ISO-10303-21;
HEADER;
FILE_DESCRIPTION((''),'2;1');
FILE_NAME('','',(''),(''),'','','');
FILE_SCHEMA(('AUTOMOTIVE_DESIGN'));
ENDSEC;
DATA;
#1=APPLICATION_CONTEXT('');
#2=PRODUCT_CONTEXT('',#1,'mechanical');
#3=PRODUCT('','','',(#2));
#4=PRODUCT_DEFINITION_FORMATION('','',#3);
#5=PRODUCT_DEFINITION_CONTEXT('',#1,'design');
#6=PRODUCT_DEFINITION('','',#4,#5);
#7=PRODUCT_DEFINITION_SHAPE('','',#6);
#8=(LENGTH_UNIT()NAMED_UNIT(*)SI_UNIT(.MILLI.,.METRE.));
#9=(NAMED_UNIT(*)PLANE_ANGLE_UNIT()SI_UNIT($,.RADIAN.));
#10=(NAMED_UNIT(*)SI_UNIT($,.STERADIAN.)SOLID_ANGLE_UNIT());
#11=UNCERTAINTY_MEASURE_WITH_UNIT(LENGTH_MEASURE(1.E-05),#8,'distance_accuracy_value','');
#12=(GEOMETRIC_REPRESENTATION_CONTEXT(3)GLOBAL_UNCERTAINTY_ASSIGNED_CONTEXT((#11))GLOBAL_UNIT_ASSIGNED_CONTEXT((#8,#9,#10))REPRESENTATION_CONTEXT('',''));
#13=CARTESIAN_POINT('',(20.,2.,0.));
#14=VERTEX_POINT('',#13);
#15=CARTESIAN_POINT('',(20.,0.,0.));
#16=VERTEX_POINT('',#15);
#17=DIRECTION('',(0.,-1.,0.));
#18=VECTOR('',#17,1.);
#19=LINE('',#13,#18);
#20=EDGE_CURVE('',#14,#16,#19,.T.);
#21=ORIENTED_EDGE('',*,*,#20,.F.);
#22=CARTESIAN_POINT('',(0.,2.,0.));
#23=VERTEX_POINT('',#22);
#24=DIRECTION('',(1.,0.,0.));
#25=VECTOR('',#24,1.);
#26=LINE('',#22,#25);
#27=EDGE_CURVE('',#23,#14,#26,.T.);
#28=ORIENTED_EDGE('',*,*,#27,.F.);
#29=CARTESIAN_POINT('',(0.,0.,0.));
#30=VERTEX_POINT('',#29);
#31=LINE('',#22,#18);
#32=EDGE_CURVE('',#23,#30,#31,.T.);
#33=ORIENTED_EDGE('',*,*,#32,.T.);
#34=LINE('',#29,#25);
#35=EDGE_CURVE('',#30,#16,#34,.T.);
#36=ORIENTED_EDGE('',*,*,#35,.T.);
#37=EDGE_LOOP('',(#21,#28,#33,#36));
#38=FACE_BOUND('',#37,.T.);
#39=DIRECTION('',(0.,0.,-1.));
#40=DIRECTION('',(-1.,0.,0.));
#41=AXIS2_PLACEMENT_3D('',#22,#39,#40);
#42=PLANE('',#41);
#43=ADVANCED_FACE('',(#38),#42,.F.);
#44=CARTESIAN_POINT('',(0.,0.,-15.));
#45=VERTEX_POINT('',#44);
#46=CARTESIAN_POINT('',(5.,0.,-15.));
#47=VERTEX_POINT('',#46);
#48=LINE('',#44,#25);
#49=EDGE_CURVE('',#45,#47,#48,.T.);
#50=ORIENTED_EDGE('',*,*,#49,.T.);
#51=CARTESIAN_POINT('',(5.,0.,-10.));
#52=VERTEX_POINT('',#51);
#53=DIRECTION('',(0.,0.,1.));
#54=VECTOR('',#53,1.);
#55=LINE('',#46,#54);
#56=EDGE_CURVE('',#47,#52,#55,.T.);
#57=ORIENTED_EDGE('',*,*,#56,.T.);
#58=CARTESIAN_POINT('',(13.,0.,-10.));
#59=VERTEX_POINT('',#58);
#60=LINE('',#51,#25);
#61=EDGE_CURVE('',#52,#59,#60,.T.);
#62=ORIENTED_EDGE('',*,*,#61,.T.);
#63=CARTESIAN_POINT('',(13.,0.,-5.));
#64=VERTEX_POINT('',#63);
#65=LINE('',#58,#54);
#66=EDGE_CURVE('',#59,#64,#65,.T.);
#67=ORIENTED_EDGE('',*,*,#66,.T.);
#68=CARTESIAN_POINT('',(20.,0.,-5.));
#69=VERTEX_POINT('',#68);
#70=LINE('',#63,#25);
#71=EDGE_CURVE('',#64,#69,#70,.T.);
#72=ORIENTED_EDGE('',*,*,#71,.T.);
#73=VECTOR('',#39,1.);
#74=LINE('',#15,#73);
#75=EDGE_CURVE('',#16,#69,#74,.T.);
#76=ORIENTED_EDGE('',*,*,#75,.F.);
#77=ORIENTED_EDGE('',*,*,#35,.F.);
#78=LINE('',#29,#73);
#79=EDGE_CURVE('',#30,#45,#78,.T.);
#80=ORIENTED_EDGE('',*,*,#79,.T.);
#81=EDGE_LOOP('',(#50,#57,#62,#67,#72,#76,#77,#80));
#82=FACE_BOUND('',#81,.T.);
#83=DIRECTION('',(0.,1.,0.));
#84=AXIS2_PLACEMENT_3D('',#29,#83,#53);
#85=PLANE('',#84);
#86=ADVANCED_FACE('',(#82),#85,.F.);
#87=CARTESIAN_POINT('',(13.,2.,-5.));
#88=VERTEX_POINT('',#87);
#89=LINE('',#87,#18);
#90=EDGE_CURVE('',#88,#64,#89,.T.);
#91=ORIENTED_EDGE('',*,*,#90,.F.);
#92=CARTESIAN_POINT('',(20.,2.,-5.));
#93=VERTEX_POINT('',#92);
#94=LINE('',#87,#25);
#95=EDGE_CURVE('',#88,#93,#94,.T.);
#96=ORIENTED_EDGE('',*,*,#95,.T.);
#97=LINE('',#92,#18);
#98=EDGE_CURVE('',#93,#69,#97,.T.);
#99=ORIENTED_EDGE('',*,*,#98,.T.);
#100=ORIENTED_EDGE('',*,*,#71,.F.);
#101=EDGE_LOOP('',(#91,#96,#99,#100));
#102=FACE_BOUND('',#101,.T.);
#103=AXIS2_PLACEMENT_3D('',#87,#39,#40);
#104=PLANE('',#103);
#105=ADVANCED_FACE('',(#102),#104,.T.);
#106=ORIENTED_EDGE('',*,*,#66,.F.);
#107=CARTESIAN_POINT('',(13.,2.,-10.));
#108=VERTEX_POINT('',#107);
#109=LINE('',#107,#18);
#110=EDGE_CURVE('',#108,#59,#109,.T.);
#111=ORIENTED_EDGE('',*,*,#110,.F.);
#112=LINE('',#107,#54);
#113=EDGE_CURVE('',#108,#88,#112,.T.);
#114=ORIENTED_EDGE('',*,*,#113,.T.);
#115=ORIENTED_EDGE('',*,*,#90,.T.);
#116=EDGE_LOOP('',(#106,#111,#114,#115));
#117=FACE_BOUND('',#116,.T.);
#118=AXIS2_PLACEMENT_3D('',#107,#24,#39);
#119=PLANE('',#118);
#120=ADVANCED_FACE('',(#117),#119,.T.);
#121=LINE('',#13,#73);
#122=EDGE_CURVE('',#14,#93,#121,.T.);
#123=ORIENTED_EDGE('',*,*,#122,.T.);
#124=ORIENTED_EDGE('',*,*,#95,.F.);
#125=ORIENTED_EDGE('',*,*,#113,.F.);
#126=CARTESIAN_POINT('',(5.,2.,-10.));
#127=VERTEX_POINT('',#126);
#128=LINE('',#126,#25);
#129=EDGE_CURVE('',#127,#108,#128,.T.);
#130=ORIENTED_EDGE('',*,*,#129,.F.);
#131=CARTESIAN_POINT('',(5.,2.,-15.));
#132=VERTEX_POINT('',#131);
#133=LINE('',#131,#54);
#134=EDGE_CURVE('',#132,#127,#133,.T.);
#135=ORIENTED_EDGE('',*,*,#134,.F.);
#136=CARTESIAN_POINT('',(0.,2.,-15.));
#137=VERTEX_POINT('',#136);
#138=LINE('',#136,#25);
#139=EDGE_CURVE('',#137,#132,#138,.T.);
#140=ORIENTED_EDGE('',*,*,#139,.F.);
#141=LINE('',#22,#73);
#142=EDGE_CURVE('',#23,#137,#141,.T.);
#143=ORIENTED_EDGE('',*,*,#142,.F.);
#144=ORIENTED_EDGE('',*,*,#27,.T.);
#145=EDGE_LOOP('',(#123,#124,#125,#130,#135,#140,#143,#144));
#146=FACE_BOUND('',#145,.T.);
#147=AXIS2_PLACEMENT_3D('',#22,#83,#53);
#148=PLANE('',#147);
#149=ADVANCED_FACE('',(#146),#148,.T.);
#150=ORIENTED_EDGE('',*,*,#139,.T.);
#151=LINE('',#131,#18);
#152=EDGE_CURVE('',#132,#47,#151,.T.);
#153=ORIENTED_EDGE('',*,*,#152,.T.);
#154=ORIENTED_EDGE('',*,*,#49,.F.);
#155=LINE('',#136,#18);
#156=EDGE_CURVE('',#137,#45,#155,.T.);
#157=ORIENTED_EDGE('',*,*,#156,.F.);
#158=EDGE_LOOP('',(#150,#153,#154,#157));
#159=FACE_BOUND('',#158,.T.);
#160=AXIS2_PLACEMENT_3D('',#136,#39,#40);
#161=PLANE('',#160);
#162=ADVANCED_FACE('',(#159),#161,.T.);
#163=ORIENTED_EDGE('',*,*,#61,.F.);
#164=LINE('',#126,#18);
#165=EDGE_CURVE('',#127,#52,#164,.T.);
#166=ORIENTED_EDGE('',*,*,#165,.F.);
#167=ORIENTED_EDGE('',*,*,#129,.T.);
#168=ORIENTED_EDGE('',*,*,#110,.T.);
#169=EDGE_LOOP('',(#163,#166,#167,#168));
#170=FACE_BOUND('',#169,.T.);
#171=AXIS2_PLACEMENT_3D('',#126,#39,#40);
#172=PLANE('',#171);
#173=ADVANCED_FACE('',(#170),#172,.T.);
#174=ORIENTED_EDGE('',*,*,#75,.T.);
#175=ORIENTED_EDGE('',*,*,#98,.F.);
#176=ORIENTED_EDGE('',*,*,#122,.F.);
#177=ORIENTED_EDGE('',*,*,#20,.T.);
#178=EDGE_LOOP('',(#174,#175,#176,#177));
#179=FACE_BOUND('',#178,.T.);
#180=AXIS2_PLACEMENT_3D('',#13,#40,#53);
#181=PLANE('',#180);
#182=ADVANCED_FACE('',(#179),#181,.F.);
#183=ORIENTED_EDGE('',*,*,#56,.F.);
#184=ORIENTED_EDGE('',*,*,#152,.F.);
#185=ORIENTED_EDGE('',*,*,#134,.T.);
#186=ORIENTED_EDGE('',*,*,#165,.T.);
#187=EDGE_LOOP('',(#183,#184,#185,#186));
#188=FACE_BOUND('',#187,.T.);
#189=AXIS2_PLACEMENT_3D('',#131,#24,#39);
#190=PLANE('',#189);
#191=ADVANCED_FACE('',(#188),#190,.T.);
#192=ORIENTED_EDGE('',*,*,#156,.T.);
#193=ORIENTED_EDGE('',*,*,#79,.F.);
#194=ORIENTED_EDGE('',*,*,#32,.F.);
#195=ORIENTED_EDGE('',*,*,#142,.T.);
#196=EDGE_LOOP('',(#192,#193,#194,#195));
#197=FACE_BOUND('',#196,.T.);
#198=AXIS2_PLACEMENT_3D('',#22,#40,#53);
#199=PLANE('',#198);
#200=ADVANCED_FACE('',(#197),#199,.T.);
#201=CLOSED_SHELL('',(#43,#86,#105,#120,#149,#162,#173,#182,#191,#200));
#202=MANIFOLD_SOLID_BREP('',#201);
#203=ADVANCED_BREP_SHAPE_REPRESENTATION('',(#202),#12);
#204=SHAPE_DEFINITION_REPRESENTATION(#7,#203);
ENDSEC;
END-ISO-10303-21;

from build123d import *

# Parameters (mm, degrees)
BOSS_EXTRUDE1_DEPTH = 2


with BuildPart() as part:
    # Sketch1 → Boss-Extrude1 (new body)
    with BuildSketch(Plane(origin=(0, 0, 0), x_dir=(1, 0, 0), z_dir=(0, 1, 0))):
        Polygon((0, 0), (20, 0), (20, 5), (13, 5), (13, 10), (5, 10), (5, 15), (0, 15), align=None)
    extrude(amount=BOSS_EXTRUDE1_DEPTH)


solid = part.part
